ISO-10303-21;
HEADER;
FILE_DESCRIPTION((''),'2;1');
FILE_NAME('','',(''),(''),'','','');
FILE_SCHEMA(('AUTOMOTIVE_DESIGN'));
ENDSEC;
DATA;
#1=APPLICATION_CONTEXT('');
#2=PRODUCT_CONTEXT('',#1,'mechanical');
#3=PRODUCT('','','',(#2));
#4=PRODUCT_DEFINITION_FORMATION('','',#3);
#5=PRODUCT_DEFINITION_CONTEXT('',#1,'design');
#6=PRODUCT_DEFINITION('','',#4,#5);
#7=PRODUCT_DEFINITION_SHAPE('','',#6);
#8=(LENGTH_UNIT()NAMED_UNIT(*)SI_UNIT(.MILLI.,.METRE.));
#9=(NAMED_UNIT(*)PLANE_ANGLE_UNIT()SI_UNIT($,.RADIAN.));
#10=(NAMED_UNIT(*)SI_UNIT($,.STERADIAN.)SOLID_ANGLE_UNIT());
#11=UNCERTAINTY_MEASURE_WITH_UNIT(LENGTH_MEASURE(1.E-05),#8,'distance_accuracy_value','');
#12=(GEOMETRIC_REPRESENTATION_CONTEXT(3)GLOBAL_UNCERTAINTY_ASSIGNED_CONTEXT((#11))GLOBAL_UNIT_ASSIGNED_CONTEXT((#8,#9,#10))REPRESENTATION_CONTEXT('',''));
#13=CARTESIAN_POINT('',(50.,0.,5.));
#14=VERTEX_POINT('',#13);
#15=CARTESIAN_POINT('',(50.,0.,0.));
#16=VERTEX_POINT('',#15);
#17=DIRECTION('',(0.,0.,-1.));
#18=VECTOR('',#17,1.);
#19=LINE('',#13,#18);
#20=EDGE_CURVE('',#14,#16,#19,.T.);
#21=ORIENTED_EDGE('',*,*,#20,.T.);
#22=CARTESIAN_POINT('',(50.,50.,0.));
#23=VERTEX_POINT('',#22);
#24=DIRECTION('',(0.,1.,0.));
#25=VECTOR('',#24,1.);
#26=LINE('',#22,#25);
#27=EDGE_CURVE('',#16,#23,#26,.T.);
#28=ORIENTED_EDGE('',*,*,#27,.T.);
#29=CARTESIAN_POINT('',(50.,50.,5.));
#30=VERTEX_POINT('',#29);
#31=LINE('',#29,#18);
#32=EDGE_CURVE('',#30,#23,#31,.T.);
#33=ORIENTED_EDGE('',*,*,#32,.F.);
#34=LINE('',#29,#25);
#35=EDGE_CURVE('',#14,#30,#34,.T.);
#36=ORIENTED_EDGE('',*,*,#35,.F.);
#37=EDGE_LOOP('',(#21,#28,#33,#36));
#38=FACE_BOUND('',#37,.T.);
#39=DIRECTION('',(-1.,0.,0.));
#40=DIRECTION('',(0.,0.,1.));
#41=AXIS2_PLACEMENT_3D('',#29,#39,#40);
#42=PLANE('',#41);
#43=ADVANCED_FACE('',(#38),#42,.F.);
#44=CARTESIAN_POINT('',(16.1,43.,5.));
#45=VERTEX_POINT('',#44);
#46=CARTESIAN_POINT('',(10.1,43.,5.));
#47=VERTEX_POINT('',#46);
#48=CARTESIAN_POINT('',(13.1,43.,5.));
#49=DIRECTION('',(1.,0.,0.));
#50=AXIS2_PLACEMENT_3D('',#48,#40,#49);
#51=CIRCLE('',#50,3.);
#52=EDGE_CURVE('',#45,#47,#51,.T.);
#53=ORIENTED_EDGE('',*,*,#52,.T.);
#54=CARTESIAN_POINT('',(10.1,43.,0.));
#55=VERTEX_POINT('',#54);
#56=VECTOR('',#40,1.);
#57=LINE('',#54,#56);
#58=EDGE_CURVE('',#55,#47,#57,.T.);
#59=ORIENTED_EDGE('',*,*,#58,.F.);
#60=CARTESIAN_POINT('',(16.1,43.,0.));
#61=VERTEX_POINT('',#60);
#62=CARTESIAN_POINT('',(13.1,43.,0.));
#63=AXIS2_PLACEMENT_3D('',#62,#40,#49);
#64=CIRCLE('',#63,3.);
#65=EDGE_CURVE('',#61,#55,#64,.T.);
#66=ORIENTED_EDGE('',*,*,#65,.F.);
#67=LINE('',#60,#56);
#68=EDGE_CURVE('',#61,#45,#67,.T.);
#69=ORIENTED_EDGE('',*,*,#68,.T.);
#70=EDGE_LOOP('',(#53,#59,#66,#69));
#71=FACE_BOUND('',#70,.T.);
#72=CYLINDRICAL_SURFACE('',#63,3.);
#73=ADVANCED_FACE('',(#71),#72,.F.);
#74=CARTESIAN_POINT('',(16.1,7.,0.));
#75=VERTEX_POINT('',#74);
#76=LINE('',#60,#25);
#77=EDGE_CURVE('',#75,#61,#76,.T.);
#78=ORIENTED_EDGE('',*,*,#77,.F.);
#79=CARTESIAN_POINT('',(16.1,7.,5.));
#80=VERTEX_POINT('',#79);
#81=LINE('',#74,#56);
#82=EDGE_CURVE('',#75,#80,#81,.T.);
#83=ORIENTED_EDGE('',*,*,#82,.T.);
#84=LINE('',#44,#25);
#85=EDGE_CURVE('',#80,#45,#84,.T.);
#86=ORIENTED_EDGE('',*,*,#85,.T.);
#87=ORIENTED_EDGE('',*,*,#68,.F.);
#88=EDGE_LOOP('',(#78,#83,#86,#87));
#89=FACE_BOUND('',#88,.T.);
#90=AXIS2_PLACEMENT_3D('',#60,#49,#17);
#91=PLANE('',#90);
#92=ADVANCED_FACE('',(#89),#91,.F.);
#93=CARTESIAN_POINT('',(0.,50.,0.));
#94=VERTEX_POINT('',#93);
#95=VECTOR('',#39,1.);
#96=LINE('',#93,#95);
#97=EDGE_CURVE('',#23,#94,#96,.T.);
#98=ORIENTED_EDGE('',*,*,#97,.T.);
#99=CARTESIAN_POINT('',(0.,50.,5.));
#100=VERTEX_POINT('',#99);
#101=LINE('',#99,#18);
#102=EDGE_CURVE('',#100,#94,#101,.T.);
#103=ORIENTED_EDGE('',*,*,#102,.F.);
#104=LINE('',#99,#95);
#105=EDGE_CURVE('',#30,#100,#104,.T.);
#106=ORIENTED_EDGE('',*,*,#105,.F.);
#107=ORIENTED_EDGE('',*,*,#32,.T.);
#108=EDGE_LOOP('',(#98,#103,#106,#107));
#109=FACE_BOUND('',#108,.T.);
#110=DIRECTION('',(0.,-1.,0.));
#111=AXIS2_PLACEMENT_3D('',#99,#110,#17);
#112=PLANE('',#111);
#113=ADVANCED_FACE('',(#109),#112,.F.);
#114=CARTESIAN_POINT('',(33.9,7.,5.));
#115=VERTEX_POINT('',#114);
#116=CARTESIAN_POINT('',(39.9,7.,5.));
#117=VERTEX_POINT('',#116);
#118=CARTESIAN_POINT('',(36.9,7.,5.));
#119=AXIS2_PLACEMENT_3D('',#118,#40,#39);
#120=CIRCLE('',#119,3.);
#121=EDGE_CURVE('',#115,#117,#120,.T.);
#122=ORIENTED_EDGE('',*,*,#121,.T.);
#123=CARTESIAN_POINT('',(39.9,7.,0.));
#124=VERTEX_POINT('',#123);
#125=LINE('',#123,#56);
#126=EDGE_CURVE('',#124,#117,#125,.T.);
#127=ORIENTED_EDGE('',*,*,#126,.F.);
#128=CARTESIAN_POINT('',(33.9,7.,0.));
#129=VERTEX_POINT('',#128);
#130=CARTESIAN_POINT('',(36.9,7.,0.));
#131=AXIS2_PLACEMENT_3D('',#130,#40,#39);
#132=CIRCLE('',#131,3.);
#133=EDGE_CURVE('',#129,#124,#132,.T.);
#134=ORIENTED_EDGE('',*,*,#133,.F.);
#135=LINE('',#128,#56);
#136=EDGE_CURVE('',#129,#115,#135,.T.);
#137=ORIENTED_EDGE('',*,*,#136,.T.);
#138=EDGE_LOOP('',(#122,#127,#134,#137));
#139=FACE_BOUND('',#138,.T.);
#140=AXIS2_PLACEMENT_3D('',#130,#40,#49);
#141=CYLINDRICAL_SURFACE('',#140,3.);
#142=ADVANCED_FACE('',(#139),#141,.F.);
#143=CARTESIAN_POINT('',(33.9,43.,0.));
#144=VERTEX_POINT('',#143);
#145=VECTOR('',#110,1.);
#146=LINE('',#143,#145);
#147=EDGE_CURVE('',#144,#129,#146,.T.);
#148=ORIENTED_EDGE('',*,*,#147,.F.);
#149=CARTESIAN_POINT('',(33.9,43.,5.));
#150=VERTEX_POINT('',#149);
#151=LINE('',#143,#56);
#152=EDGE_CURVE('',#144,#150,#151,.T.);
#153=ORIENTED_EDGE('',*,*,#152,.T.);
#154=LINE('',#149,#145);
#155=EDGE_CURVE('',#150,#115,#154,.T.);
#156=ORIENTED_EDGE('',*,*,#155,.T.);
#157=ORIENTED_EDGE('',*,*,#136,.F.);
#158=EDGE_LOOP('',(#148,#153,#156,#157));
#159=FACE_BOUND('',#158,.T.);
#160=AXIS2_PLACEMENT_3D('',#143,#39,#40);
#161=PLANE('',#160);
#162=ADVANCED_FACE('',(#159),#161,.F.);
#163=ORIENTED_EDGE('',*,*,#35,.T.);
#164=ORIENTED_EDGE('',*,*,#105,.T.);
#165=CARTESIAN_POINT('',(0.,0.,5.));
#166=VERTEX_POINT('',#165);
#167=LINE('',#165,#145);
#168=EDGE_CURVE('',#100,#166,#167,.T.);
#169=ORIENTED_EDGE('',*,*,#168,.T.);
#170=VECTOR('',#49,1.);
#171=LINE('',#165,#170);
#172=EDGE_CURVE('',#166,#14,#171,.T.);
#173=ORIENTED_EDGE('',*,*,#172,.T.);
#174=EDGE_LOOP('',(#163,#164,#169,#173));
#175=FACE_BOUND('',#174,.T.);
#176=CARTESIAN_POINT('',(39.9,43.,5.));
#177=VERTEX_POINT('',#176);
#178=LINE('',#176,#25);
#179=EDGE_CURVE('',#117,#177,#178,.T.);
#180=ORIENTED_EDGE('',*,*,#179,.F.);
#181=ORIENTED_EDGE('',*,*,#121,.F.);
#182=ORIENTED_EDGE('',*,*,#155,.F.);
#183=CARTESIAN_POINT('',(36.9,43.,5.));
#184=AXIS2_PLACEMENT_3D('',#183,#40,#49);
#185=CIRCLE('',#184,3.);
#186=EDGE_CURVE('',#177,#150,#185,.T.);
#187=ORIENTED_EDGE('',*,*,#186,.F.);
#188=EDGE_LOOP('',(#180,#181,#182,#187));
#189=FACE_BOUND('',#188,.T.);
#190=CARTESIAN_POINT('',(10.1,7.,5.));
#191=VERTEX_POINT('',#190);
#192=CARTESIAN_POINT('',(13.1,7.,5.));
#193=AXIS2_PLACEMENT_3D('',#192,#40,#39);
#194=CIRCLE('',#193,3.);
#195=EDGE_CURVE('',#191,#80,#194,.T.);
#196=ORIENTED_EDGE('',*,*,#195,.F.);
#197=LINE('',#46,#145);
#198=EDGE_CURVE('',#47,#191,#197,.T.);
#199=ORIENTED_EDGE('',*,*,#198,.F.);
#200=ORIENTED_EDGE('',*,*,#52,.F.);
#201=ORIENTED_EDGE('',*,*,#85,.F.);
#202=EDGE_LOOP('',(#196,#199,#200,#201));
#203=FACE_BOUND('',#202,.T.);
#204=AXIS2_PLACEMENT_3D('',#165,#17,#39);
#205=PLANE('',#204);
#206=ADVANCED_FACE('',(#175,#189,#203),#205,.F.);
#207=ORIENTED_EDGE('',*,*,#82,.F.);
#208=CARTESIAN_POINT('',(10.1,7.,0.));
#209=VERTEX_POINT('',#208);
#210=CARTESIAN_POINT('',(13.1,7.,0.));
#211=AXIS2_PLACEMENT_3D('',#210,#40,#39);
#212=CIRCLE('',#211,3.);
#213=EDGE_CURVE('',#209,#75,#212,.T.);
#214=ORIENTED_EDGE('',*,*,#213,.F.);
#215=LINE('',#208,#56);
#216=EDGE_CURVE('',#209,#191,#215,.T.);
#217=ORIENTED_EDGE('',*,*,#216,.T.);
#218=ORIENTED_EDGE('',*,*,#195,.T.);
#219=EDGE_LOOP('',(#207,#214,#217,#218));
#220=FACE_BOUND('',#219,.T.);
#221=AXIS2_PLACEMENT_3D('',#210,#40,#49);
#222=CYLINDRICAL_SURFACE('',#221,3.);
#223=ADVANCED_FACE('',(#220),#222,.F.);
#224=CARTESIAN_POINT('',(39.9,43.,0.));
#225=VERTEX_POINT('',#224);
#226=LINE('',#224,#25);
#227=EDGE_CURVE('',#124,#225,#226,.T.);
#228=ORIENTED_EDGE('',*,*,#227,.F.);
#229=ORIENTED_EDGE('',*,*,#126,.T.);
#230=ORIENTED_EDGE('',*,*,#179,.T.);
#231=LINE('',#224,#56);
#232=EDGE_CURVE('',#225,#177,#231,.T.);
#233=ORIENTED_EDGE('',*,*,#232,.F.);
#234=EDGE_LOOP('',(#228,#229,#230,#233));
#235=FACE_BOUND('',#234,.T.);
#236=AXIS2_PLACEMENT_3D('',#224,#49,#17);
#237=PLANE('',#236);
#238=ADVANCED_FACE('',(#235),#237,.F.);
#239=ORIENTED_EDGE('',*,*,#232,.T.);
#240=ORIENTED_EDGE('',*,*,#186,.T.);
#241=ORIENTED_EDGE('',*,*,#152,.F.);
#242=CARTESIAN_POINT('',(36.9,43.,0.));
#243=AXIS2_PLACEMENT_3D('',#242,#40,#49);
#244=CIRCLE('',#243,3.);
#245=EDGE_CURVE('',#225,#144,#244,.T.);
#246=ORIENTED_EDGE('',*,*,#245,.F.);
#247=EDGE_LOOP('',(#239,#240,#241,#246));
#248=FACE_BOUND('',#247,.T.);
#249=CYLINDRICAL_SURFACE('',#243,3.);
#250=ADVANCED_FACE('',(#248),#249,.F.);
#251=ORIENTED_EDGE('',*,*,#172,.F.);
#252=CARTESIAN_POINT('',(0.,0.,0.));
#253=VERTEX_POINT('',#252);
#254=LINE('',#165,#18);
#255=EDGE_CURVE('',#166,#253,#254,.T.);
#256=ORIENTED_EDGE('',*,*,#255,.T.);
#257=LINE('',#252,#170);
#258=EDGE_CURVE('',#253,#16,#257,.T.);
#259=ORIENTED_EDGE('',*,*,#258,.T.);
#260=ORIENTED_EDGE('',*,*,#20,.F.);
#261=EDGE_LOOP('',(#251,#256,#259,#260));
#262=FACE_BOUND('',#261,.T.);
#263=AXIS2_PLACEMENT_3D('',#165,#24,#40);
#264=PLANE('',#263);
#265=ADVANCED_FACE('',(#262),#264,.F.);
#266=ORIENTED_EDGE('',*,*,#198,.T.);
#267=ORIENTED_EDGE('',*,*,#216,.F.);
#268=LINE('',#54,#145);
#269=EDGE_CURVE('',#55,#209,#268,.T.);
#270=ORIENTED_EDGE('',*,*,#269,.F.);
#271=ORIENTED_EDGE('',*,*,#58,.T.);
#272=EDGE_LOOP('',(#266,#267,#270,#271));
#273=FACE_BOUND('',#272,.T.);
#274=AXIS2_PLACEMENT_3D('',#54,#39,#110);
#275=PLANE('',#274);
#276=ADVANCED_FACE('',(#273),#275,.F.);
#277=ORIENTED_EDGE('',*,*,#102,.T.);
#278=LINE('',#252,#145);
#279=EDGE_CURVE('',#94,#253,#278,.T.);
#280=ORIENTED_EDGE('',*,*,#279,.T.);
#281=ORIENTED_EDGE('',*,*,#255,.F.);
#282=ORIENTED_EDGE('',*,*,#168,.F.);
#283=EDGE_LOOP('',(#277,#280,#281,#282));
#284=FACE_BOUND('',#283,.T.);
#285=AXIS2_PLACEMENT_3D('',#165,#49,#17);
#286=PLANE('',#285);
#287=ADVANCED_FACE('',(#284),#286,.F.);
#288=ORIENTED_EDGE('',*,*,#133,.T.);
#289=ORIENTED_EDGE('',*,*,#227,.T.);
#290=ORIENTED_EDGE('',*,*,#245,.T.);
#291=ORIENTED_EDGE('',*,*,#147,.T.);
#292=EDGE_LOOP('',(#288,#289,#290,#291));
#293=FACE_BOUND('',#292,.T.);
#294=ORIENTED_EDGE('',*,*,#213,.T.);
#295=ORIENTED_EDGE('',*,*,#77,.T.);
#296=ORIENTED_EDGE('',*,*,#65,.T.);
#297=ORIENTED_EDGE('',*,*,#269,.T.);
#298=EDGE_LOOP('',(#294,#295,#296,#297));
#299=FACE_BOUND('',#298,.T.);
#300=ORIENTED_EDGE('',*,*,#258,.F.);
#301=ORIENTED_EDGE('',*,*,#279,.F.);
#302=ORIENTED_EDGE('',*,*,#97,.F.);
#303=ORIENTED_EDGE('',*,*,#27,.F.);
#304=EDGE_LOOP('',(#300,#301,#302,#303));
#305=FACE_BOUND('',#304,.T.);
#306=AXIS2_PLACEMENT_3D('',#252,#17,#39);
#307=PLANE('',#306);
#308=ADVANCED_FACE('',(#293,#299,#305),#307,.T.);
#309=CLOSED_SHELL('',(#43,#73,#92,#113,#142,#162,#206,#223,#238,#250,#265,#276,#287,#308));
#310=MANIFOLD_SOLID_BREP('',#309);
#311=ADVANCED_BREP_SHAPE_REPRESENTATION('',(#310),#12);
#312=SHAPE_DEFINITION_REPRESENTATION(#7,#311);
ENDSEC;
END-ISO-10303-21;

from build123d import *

# Parameters (mm, degrees)
SKETCH1_W           = 50
SKETCH1_H           = 50
BOSS_EXTRUDE1_DEPTH = 5
CUT_EXTRUDE1_DEPTH  = 71.887234394


with BuildPart() as part:
    # Sketch1 → Boss-Extrude1 (new body)
    with BuildSketch(Plane.XY):
        with Locations((25, 25)):
            Rectangle(SKETCH1_W, SKETCH1_H)
    extrude(amount=BOSS_EXTRUDE1_DEPTH)

    # Sketch2 → Cut-Extrude1 (cut, through all)
    with BuildSketch(Plane.XY.offset(5)):
        with BuildLine():
            Line((10.1, 43), (10.1, 7))
            ThreePointArc((10.1, 7), (13.1, 4), (16.1, 7))
            Line((16.1, 7), (16.1, 43))
            ThreePointArc((16.1, 43), (13.1, 46), (10.1, 43))
        make_face()
        with BuildLine():
            Line((33.9, 43), (33.9, 7))
            ThreePointArc((33.9, 7), (36.9, 4), (39.9, 7))
            Line((39.9, 7), (39.9, 43))
            ThreePointArc((39.9, 43), (36.9, 46), (33.9, 43))
        make_face()
    extrude(amount=-CUT_EXTRUDE1_DEPTH, mode=Mode.SUBTRACT)


solid = part.part
